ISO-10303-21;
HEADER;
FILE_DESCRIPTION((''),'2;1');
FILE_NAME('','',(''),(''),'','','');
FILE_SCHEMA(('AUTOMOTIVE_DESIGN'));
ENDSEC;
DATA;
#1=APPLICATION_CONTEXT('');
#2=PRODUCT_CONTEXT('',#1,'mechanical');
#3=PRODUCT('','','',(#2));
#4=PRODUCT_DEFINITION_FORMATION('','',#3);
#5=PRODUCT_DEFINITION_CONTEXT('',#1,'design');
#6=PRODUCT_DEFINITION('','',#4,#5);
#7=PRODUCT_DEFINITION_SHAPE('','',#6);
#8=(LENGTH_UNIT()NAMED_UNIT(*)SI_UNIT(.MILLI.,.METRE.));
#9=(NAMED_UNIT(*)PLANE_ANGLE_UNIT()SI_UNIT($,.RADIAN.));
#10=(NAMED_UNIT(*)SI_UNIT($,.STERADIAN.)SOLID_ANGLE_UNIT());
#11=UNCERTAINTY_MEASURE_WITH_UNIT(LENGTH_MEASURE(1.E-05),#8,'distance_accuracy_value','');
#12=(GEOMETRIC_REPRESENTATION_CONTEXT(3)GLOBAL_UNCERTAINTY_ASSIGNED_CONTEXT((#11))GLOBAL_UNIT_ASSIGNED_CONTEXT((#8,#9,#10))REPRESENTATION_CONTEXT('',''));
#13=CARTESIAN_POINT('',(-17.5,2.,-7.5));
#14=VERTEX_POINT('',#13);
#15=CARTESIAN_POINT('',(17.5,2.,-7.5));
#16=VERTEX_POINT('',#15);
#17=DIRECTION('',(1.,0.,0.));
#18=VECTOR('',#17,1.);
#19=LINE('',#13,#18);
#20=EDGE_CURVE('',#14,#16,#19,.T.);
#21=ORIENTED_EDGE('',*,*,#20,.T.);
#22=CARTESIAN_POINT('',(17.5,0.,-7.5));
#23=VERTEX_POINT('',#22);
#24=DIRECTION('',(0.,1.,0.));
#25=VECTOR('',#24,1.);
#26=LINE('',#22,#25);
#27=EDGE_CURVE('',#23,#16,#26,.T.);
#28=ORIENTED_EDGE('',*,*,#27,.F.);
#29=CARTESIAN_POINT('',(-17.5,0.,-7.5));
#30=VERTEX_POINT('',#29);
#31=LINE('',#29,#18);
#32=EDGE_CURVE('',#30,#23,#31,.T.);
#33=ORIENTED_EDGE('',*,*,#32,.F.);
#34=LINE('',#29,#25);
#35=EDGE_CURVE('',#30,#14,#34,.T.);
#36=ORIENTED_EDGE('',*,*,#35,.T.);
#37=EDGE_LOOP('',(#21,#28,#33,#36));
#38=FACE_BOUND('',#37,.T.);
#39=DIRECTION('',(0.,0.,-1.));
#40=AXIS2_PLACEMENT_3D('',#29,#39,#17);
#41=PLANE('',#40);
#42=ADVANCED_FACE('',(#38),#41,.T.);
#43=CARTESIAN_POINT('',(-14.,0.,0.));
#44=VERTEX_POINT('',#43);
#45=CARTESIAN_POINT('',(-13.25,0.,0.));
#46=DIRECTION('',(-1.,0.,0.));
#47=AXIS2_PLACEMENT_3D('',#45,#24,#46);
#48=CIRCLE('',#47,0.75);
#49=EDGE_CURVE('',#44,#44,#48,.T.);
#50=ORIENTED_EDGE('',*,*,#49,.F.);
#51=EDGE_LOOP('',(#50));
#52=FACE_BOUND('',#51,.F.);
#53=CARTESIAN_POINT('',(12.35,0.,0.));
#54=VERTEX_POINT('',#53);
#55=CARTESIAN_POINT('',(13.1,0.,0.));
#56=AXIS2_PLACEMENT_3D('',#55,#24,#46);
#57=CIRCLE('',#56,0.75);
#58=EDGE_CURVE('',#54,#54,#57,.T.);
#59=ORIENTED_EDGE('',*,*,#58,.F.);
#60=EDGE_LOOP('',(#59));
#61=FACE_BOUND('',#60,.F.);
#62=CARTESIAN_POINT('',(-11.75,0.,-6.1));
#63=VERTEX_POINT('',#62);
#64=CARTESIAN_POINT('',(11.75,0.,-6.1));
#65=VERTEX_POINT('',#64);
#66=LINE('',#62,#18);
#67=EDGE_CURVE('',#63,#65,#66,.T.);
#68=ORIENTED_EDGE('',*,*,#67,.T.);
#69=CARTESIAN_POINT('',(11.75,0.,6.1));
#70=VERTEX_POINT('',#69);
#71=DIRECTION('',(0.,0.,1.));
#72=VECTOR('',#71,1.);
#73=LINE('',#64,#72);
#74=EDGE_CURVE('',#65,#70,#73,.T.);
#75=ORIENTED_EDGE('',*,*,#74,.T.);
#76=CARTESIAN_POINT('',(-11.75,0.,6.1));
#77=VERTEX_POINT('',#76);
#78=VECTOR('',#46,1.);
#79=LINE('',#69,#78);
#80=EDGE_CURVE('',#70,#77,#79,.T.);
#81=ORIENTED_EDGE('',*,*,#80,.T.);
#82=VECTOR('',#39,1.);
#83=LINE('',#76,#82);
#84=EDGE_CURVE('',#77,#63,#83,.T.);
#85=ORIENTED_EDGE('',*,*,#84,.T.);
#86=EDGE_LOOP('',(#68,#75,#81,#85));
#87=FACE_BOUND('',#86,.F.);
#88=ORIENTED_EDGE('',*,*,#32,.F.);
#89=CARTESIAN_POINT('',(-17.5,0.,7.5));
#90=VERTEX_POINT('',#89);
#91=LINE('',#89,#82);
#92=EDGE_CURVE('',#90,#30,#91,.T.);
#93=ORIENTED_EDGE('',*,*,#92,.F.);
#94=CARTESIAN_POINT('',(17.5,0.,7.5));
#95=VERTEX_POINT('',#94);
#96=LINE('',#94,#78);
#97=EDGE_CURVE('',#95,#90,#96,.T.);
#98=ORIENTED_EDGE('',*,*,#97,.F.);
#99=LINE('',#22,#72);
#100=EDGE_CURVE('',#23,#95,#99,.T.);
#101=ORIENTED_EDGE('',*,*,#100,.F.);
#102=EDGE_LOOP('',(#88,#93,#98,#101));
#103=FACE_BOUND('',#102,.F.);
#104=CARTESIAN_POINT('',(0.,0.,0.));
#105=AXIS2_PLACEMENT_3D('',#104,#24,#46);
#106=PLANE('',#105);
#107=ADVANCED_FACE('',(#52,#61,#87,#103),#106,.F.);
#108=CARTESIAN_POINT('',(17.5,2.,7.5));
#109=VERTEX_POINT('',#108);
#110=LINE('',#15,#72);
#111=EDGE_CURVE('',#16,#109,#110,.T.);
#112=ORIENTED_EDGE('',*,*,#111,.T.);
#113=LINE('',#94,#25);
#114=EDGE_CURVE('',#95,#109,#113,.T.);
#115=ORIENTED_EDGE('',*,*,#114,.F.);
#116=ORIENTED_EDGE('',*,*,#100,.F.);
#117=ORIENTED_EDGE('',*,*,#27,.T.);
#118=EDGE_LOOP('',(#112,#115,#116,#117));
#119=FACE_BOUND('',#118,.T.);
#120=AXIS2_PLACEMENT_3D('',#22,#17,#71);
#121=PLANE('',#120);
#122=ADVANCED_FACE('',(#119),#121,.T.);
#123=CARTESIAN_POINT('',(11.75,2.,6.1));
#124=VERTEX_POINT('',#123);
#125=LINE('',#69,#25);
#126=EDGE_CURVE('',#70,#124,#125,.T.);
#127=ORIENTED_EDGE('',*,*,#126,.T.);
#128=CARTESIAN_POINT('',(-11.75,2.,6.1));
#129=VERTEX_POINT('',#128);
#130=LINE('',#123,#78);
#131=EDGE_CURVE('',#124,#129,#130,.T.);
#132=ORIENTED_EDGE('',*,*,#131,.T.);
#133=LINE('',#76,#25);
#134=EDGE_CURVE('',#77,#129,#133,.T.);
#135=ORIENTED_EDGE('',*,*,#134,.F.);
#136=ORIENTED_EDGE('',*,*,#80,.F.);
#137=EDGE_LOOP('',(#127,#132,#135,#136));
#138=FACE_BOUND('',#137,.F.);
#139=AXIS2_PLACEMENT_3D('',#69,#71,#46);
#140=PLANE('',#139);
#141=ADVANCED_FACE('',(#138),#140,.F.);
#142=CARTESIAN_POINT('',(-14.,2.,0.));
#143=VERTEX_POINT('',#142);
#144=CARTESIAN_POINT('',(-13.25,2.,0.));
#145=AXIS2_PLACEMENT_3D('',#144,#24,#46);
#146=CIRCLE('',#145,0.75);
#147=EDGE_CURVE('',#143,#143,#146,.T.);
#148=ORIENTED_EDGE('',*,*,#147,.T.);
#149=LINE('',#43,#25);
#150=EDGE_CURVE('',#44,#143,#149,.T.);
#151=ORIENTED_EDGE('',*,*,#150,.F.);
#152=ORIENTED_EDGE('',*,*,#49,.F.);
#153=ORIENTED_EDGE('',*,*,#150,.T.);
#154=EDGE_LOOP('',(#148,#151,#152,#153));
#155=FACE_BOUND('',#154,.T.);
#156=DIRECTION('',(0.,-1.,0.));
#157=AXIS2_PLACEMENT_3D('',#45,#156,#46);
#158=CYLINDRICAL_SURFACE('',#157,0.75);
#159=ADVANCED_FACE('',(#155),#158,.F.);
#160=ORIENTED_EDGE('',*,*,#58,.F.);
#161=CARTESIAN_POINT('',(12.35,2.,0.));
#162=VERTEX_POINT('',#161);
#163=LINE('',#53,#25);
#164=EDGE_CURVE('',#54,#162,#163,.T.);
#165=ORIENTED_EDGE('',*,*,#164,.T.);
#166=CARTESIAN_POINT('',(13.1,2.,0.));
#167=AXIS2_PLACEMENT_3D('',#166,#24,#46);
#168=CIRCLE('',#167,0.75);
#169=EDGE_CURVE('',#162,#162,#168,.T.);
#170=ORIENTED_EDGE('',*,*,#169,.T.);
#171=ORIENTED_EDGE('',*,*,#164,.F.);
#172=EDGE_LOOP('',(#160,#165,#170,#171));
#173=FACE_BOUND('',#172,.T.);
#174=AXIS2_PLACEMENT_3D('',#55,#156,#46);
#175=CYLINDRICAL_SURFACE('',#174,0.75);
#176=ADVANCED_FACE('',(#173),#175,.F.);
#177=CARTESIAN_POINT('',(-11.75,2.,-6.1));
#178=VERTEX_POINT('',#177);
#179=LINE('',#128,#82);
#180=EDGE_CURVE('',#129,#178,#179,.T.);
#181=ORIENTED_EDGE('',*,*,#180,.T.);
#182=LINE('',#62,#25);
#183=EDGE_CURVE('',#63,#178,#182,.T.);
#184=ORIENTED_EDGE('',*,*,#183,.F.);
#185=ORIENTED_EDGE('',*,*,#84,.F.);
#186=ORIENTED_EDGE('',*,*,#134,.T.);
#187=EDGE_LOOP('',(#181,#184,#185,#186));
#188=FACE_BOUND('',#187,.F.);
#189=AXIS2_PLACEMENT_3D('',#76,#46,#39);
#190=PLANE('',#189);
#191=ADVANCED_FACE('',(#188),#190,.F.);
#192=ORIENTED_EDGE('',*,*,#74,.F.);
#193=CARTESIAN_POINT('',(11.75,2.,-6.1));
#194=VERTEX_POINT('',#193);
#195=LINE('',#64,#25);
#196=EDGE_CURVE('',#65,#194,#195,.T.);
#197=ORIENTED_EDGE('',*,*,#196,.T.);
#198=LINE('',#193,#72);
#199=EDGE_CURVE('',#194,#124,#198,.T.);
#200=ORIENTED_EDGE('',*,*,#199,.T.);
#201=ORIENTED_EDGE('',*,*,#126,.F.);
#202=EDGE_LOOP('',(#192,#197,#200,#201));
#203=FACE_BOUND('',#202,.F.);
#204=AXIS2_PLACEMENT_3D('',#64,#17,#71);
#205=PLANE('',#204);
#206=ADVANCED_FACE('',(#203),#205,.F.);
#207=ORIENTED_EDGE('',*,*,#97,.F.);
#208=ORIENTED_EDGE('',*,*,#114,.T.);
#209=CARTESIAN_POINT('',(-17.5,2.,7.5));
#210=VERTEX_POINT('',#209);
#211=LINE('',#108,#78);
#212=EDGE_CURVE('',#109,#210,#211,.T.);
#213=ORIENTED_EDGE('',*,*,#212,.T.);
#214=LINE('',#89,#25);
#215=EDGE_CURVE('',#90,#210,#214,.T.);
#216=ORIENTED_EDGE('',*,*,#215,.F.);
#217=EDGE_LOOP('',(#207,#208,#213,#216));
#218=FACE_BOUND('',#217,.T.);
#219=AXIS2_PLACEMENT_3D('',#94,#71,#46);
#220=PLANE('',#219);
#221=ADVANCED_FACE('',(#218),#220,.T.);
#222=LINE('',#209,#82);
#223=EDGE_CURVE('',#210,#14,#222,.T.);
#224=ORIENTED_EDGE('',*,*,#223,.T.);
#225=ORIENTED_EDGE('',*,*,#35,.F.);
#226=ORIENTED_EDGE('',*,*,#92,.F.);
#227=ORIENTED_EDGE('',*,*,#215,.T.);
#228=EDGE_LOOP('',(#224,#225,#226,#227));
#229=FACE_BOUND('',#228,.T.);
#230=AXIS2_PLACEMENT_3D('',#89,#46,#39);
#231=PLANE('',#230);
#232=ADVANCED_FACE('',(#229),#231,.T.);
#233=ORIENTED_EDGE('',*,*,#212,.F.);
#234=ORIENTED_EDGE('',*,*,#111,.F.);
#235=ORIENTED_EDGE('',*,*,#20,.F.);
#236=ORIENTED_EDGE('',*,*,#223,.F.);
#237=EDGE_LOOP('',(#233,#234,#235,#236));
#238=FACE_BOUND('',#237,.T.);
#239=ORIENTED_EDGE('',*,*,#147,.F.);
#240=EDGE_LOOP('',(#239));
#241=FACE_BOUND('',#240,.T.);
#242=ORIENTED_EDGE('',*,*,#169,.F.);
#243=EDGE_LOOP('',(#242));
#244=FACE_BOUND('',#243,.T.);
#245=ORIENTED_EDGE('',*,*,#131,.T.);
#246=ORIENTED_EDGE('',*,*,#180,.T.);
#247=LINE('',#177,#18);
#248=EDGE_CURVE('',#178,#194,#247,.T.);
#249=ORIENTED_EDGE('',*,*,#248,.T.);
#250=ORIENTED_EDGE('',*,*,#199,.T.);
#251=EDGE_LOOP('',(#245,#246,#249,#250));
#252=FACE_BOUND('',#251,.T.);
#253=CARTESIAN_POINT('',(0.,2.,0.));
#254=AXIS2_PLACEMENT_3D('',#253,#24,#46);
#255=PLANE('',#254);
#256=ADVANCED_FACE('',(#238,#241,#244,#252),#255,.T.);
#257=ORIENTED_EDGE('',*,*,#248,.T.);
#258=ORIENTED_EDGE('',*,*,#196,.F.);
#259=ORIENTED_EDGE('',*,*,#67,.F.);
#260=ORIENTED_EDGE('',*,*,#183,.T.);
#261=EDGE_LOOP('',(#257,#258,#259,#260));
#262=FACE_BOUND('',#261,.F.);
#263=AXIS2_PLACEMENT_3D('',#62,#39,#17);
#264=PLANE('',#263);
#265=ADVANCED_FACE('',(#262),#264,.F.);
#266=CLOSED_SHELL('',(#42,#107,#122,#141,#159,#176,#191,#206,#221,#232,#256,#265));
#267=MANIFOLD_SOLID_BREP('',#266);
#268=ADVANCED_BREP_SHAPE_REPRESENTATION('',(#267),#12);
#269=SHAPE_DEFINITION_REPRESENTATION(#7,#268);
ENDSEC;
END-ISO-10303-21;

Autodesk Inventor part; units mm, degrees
ref_plane "YZ Plane" through (0, 0, 0) normal (1, 0, 0) x (0, 1, 0)
ref_plane "XZ Plane" through (0, 0, 0) normal (0, 1, 0) x (-1, 0, 0)
ref_plane "XY Plane" through (0, 0, 0) normal (0, 0, 1) x (1, 0, 0)
sketch "Sketch1" plane through (0, 0, 0) normal (0, 1, 0) x (-1, 0, 0)
  line L0 (17.5, -7.5) -> (-17.5, -7.5)
  line L1 (-17.5, -7.5) -> (-17.5, 7.5)
  line L2 (-17.5, 7.5) -> (17.5, 7.5)
  line L3 (17.5, 7.5) -> (17.5, -7.5)
  line L4 (17.5, -7.5) -> (-17.5, 7.5) construction
  line L5 (-17.5, -7.5) -> (17.5, 7.5) construction
  line L6 (11.75, -6.1) -> (-11.75, -6.1)
  line L7 (-11.75, -6.1) -> (-11.75, 6.1)
  line L8 (-11.75, 6.1) -> (11.75, 6.1)
  line L9 (11.75, 6.1) -> (11.75, -6.1)
  line L10 (11.75, -6.1) -> (-11.75, 6.1) construction
  line L11 (-11.75, -6.1) -> (11.75, 6.1) construction
  circle A0 centre (13.25, 0) radius 0.75
  circle A1 centre (-13.1, 0) radius 0.75
  point P0 (0, 0)
  dimension "d37" = 35
  dimension "d38" = 15
  dimension "d39" = 5.75
  dimension "d40" = 5.75
  dimension "d41" = 12.2
  dimension "d42" = 1.5
  dimension "d43" = 1.5
  dimension "d44" = 4.25
  dimension "d45" = 5.15
extrude "Extrusion4" add sketch "Sketch1" along normal blind 2
properties part number "servo housing lid"
